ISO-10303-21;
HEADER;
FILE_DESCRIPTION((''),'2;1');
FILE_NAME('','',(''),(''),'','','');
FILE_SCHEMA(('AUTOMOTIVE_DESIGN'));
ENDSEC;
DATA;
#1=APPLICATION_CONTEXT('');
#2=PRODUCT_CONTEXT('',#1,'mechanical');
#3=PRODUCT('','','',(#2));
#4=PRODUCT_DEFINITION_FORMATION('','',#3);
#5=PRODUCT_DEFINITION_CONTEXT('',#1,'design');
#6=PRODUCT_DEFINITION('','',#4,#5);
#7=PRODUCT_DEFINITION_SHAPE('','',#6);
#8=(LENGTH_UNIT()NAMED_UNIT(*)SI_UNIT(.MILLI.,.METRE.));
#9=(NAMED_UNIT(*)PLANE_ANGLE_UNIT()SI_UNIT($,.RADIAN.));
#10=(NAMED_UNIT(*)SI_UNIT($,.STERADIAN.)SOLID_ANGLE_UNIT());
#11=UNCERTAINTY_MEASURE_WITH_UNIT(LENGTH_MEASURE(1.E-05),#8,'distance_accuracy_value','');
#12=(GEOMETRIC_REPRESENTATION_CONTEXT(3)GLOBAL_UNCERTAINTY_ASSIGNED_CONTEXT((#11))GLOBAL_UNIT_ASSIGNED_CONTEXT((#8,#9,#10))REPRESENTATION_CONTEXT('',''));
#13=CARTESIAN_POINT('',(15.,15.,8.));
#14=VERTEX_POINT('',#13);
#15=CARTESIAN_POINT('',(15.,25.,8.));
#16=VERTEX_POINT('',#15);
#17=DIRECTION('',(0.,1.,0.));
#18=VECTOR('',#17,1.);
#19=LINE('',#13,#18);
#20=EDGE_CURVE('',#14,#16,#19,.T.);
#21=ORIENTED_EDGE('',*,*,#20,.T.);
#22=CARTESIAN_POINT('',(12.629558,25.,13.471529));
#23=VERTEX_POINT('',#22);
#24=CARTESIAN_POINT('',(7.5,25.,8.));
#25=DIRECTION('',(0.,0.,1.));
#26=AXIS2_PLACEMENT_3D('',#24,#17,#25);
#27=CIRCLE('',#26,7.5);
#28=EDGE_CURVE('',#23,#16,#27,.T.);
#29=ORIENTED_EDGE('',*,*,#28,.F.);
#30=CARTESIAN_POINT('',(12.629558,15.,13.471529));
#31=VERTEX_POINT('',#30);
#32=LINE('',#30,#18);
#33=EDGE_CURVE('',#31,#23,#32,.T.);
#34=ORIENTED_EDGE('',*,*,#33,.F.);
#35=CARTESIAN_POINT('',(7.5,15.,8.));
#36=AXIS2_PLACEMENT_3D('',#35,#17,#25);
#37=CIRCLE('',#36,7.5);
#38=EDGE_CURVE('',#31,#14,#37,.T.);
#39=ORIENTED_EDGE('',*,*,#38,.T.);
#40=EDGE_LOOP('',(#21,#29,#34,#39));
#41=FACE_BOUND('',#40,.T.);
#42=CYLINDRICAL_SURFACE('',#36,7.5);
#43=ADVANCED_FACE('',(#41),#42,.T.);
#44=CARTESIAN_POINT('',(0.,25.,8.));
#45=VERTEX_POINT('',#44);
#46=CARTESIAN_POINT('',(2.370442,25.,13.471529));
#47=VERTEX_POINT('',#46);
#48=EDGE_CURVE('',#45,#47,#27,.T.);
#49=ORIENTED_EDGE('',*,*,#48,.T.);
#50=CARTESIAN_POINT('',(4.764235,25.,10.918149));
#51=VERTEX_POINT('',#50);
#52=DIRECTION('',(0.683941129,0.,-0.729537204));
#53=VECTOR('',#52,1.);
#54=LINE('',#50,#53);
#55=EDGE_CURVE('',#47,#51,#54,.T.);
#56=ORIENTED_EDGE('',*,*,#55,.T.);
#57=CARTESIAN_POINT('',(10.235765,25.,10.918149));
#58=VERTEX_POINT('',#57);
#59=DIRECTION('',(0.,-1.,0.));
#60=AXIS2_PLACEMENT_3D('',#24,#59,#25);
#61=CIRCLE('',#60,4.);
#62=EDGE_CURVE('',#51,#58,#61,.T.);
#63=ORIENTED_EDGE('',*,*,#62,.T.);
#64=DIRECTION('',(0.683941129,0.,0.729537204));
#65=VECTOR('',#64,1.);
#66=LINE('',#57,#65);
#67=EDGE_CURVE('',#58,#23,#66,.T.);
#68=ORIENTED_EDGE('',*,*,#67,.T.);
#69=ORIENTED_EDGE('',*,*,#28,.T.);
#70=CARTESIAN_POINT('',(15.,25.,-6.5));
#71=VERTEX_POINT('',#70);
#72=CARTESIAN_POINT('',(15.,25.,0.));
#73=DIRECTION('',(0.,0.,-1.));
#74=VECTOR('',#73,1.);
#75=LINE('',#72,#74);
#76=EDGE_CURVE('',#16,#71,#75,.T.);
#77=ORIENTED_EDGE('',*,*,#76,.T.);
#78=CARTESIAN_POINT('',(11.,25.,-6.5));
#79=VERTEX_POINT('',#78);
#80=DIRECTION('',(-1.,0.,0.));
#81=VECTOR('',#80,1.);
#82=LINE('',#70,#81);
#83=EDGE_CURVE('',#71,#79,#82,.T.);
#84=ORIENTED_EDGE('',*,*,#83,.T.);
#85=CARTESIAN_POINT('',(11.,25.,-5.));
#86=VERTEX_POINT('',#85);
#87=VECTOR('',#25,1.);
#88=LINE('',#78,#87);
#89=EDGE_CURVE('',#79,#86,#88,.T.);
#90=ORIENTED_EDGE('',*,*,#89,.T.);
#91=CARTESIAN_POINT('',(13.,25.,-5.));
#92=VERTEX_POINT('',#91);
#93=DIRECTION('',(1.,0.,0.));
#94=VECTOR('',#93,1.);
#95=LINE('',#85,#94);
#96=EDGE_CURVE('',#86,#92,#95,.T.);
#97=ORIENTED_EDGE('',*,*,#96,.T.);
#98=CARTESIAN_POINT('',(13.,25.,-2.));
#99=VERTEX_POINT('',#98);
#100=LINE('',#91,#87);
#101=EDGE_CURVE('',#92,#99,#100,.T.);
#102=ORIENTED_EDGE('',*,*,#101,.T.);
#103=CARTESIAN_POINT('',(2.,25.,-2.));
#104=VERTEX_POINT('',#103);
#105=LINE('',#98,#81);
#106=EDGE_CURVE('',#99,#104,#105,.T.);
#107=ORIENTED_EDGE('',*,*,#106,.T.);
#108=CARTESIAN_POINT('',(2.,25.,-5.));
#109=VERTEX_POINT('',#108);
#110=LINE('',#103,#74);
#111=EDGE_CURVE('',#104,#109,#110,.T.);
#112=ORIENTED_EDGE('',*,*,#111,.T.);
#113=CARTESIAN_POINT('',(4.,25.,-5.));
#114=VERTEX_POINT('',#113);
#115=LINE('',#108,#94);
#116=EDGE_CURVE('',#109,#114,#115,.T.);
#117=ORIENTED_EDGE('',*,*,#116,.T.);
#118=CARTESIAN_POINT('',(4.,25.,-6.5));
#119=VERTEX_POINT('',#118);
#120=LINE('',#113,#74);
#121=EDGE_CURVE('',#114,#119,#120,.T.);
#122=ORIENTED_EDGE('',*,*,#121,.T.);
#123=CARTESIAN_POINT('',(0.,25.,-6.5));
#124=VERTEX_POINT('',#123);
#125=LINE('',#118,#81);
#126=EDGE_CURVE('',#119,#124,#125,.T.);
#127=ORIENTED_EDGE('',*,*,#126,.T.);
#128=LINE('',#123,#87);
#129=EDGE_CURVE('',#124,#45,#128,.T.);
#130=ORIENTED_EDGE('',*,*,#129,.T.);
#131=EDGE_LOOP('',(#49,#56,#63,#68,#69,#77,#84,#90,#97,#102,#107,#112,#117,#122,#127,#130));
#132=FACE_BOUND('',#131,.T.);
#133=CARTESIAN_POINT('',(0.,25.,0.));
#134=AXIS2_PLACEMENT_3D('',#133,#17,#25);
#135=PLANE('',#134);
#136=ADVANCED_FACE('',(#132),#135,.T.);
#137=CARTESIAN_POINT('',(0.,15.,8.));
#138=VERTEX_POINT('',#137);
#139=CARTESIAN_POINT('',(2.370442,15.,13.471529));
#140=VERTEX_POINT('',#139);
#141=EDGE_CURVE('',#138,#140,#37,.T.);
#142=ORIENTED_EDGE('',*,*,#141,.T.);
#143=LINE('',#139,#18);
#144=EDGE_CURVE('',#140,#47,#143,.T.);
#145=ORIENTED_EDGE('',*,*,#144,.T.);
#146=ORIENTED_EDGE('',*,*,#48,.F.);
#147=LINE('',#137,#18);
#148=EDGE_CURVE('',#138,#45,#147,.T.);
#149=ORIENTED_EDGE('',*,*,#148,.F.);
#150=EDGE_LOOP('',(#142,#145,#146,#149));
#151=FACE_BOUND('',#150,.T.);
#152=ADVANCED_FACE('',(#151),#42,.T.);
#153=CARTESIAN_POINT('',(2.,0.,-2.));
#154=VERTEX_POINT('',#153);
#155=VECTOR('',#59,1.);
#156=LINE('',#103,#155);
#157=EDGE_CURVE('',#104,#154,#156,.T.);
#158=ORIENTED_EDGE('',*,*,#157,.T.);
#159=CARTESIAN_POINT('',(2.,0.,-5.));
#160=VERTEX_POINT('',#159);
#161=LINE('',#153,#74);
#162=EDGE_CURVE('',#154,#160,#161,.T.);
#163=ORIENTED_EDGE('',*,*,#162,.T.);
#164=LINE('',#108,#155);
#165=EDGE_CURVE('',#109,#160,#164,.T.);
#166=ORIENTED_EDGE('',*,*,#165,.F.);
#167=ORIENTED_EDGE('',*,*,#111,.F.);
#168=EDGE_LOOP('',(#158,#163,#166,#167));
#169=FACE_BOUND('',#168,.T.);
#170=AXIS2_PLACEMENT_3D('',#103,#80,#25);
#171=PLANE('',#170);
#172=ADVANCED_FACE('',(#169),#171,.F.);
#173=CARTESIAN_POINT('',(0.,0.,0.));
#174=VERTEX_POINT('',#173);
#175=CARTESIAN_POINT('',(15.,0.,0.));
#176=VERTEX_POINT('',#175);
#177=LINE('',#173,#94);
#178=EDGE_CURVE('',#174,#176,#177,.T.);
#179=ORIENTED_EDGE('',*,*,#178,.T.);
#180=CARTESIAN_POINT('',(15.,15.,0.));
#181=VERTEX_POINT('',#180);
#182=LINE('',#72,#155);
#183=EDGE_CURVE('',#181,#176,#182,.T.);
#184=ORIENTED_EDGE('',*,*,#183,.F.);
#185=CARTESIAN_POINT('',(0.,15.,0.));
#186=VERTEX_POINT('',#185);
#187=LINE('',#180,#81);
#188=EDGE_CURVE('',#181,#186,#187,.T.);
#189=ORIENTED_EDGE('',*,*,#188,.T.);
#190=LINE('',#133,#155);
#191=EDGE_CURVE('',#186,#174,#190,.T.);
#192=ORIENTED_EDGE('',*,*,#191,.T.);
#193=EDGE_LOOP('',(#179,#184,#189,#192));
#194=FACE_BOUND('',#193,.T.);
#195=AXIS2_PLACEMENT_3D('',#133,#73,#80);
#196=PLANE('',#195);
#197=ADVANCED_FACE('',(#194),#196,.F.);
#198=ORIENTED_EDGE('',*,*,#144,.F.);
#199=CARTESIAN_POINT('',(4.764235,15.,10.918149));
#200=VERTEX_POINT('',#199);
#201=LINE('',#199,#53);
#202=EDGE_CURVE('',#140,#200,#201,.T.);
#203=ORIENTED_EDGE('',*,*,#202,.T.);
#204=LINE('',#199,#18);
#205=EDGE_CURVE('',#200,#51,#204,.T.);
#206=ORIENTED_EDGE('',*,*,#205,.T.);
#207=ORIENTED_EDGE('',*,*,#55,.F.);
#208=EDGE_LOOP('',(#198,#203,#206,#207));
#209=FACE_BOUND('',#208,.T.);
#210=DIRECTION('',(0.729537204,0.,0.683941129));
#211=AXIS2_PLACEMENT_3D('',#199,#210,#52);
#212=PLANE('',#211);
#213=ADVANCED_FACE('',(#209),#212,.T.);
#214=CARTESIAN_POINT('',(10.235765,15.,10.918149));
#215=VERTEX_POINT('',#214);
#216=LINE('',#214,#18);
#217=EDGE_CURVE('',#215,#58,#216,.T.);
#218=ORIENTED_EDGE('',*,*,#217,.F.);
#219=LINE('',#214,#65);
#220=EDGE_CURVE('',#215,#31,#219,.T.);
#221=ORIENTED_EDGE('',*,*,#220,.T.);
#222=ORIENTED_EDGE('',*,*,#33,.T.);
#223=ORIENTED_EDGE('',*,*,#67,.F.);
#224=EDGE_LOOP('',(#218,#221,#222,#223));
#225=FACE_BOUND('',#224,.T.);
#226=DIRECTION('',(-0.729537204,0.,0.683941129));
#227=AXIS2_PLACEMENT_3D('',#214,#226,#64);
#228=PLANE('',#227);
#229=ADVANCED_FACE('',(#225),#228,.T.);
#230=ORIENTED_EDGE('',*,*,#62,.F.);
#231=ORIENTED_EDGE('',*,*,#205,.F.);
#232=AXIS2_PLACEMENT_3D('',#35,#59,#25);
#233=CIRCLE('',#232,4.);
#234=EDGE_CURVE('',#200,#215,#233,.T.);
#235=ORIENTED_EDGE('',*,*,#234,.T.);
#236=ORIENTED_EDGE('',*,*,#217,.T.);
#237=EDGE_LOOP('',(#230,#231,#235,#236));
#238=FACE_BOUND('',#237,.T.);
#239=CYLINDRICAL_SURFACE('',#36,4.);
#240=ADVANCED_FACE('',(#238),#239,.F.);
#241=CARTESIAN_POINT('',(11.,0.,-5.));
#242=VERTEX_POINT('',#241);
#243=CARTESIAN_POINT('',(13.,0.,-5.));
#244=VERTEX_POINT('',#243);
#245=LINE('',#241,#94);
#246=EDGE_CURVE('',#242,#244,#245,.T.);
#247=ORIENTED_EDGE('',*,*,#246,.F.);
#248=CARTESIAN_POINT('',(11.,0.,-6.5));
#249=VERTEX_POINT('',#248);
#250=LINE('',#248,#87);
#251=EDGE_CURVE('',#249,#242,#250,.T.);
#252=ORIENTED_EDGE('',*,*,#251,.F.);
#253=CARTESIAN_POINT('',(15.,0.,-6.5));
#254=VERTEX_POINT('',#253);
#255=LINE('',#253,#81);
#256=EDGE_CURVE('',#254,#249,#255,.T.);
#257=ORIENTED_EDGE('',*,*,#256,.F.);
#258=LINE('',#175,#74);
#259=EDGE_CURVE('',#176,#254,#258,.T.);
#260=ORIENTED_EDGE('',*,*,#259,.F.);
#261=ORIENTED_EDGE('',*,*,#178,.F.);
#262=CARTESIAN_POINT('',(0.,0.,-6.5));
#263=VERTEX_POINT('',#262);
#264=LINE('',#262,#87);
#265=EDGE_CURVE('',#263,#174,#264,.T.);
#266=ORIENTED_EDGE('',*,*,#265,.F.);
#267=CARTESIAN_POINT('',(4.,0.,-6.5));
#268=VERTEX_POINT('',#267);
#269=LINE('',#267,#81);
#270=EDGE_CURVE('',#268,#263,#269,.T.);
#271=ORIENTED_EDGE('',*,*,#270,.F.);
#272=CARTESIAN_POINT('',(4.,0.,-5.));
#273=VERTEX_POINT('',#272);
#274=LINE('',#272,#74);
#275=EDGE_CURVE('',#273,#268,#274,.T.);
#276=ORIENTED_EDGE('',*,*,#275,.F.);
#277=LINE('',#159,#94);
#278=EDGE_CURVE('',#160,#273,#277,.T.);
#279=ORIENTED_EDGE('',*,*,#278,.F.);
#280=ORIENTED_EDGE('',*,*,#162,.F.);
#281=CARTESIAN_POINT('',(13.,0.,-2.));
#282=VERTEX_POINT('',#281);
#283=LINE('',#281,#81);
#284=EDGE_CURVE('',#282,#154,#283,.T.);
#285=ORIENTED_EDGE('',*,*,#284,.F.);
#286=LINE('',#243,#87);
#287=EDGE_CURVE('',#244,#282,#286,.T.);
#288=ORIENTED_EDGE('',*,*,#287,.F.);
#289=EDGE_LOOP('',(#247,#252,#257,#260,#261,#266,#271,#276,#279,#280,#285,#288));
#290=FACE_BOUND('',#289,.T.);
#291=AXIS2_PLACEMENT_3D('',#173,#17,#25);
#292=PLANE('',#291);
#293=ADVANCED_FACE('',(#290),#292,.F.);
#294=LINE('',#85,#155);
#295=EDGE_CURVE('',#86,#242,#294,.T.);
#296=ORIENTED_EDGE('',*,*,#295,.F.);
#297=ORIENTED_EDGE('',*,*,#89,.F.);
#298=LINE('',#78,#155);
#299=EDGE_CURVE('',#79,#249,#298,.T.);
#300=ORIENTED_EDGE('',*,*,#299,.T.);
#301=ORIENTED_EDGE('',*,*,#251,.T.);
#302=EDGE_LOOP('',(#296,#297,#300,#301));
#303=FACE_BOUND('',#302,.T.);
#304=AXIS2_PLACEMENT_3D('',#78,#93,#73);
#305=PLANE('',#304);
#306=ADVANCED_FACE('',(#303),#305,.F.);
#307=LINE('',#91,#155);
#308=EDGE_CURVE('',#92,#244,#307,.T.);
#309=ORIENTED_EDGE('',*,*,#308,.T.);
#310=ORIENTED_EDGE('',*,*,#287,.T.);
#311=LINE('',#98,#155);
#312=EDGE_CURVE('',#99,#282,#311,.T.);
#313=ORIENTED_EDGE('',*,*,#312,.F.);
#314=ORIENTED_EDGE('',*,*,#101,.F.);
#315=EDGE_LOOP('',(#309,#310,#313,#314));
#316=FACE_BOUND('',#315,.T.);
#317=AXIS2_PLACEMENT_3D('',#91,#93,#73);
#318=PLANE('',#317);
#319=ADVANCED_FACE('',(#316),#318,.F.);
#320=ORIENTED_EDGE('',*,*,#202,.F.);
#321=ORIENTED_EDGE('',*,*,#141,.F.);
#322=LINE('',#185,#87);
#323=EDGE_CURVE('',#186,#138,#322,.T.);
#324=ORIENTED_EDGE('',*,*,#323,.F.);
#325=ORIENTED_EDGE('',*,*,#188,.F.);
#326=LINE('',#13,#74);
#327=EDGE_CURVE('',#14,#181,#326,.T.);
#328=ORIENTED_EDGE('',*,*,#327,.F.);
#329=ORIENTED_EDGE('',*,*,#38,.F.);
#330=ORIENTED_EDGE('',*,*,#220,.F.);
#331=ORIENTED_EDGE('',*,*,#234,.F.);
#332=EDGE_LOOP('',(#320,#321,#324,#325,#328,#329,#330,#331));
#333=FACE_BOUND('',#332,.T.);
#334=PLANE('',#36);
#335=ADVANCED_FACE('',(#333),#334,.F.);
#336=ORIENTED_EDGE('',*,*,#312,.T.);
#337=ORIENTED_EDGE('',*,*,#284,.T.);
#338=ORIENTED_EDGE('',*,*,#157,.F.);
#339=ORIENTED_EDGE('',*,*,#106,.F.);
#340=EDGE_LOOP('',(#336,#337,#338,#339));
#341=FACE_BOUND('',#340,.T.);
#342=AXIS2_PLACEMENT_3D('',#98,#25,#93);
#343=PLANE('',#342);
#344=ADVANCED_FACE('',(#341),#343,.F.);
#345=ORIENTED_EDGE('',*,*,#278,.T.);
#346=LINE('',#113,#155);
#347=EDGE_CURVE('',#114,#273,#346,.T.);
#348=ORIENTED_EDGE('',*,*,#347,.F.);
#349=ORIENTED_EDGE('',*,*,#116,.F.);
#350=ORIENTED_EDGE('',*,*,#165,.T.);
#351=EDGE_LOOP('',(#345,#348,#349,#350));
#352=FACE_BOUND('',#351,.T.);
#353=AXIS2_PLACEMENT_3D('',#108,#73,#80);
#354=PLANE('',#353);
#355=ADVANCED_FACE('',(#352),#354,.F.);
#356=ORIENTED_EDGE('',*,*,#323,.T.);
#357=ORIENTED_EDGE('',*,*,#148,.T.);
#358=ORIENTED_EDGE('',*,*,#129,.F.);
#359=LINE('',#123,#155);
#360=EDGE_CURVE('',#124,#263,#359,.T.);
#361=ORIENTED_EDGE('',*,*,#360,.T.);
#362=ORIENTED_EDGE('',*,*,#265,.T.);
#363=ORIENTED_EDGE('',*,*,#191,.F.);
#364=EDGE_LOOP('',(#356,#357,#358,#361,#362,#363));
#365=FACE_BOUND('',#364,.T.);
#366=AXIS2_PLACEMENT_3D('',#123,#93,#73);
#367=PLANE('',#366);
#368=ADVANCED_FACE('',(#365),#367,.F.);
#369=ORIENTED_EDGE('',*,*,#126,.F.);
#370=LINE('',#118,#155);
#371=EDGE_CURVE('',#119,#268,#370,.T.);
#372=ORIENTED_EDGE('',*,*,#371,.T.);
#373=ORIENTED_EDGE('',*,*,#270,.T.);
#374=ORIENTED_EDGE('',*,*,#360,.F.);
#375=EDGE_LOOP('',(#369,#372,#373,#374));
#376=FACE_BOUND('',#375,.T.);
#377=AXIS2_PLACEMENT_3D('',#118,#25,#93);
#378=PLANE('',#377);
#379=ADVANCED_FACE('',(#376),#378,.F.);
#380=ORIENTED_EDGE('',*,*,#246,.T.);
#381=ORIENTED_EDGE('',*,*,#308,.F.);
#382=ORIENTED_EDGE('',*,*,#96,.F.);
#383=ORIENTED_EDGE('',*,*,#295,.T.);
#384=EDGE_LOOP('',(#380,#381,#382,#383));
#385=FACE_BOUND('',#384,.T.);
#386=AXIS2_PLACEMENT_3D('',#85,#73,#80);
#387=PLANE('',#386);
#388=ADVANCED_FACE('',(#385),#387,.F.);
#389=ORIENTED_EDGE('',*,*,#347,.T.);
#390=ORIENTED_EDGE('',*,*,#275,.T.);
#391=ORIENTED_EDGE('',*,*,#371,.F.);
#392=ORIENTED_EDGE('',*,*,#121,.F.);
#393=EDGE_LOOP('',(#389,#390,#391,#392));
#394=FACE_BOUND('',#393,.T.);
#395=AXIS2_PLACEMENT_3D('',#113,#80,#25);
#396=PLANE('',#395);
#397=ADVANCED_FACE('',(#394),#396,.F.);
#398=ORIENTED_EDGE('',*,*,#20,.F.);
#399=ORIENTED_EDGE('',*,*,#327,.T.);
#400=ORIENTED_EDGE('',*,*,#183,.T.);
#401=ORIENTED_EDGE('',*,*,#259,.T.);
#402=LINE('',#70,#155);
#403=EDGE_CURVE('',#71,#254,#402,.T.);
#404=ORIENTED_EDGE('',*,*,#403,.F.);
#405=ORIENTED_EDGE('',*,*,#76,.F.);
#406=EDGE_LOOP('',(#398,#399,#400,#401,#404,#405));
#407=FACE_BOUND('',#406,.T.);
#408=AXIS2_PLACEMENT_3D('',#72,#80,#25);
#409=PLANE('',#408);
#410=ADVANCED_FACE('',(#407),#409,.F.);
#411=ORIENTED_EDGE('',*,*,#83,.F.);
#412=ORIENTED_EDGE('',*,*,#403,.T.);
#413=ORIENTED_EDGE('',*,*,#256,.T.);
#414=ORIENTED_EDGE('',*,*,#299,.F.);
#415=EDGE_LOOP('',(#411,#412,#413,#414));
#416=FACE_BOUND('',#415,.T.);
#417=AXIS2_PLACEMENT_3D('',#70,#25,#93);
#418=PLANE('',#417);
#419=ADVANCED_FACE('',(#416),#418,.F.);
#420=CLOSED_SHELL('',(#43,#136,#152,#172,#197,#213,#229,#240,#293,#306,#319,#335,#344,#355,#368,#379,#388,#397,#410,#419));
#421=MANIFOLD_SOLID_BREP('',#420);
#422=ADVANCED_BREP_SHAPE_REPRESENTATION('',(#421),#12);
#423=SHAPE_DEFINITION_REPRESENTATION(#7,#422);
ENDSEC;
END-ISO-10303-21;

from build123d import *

# Parameters (mm, degrees)
BOSS_EXTRUDE2_DEPTH = 25
BOSS_EXTRUDE3_DEPTH = 10


with BuildPart() as part:
    # Sketch1 → Boss-Extrude2 (new body)
    with BuildSketch(Plane(origin=(0, 0, 0), x_dir=(1, 0, 0), z_dir=(0, 1, 0))):
        Polygon((0, 0), (15, 0), (15, 6.5), (11, 6.5), (11, 5), (13, 5), (13, 2), (2, 2), (2, 5), (4, 5), (4, 6.5), (0, 6.5), align=None)
    extrude(amount=BOSS_EXTRUDE2_DEPTH)

    # Sketch2 → Boss-Extrude3 (add)
    with BuildSketch(Plane(origin=(0, 25, 0), x_dir=(1, 0, 0), z_dir=(0, 1, 0))):
        with BuildLine():
            Line((15, -8), (15, 0))
            Line((15, 0), (0, 0))
            Line((0, 0), (0, -8))
            ThreePointArc((0, -8), (0.618078448, -10.981468724), (2.370441533, -13.471529031))
            Line((2.370441533, -13.471529031), (4.764235484, -10.918148817))
            ThreePointArc((4.764235484, -10.918148817), (7.5, -4), (10.235764516, -10.918148817))
            Line((10.235764516, -10.918148817), (12.629558467, -13.471529031))
            ThreePointArc((12.629558467, -13.471529031), (14.381921552, -10.981468724), (15, -8))
        make_face()
    extrude(amount=-BOSS_EXTRUDE3_DEPTH)


solid = part.part
